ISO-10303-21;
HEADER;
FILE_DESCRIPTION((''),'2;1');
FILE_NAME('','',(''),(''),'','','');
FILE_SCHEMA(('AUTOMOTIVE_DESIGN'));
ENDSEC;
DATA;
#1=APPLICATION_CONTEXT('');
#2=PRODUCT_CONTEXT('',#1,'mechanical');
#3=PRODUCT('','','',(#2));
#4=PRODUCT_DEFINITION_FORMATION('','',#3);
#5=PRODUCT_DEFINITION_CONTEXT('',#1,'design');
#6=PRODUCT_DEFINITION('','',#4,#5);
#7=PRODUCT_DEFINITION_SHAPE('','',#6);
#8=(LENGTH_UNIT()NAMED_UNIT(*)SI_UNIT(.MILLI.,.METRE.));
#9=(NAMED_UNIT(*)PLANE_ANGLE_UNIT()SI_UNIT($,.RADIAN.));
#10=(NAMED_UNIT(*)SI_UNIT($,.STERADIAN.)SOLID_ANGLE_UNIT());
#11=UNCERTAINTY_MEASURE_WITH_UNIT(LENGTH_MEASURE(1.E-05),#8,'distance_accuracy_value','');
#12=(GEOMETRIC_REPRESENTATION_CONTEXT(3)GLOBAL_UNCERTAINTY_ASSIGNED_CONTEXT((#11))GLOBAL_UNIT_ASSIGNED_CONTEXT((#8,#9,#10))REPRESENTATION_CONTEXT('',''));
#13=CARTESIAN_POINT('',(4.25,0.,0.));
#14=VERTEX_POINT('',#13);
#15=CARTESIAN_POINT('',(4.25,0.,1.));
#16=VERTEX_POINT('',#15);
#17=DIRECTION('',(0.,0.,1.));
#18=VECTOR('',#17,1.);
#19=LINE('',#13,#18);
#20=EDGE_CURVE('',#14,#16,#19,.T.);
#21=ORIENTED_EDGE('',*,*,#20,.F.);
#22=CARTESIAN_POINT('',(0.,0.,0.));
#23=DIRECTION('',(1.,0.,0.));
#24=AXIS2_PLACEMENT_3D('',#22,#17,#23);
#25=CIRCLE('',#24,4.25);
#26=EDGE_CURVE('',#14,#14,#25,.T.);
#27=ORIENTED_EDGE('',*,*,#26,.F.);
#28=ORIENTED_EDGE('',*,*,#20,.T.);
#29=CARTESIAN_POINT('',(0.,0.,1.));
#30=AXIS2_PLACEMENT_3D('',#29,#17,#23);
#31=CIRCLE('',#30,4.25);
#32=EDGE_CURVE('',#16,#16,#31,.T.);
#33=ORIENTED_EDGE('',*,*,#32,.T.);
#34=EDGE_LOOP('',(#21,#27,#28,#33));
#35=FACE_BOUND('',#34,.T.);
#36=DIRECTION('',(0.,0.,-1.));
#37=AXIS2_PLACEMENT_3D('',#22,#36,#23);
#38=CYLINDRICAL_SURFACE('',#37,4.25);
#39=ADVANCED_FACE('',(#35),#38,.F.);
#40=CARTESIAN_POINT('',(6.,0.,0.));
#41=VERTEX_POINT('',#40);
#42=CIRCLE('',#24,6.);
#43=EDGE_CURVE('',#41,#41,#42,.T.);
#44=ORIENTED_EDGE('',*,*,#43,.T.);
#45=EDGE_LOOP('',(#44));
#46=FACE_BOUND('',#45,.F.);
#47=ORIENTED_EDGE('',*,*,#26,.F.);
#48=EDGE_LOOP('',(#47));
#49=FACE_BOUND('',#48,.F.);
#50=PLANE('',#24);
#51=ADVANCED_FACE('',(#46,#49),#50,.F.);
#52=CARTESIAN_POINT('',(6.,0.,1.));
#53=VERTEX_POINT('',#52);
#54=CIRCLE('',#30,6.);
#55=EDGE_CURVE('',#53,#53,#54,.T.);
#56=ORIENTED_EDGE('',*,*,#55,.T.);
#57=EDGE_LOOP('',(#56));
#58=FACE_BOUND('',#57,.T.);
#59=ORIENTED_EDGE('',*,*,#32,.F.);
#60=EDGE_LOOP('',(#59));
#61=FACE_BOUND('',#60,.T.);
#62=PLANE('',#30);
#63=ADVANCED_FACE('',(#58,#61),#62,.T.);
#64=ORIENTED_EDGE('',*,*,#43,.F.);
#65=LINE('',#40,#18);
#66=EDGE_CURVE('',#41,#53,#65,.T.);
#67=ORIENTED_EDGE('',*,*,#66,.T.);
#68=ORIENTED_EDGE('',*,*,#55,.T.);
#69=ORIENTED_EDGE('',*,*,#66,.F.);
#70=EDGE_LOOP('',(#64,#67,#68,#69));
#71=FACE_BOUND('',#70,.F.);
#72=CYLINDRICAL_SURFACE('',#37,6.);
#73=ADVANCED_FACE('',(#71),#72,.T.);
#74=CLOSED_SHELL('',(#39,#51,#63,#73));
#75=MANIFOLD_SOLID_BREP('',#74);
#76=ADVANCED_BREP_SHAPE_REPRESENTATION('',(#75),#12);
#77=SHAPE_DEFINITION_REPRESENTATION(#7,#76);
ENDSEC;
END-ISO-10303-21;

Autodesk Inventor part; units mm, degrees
ref_plane "YZ Plane" through (0, 0, 0) normal (1, 0, 0) x (0, 1, 0)
ref_plane "XZ Plane" through (0, 0, 0) normal (0, 1, 0) x (-1, 0, 0)
ref_plane "XY Plane" through (0, 0, 0) normal (0, 0, 1) x (1, 0, 0)
sketch "Sketch1" plane through (0, 0, 0) normal (0, 0, 1) x (1, 0, 0)
  circle A0 centre (0, 0) radius 6
  circle A1 centre (0, 0) radius 4.25
  dimension "d0" = 12
  dimension "d1" = 8.5
extrude "Extrusion1" add sketch "Sketch1" along normal blind 1
properties part number "Washer" material "Steel, Mild"
